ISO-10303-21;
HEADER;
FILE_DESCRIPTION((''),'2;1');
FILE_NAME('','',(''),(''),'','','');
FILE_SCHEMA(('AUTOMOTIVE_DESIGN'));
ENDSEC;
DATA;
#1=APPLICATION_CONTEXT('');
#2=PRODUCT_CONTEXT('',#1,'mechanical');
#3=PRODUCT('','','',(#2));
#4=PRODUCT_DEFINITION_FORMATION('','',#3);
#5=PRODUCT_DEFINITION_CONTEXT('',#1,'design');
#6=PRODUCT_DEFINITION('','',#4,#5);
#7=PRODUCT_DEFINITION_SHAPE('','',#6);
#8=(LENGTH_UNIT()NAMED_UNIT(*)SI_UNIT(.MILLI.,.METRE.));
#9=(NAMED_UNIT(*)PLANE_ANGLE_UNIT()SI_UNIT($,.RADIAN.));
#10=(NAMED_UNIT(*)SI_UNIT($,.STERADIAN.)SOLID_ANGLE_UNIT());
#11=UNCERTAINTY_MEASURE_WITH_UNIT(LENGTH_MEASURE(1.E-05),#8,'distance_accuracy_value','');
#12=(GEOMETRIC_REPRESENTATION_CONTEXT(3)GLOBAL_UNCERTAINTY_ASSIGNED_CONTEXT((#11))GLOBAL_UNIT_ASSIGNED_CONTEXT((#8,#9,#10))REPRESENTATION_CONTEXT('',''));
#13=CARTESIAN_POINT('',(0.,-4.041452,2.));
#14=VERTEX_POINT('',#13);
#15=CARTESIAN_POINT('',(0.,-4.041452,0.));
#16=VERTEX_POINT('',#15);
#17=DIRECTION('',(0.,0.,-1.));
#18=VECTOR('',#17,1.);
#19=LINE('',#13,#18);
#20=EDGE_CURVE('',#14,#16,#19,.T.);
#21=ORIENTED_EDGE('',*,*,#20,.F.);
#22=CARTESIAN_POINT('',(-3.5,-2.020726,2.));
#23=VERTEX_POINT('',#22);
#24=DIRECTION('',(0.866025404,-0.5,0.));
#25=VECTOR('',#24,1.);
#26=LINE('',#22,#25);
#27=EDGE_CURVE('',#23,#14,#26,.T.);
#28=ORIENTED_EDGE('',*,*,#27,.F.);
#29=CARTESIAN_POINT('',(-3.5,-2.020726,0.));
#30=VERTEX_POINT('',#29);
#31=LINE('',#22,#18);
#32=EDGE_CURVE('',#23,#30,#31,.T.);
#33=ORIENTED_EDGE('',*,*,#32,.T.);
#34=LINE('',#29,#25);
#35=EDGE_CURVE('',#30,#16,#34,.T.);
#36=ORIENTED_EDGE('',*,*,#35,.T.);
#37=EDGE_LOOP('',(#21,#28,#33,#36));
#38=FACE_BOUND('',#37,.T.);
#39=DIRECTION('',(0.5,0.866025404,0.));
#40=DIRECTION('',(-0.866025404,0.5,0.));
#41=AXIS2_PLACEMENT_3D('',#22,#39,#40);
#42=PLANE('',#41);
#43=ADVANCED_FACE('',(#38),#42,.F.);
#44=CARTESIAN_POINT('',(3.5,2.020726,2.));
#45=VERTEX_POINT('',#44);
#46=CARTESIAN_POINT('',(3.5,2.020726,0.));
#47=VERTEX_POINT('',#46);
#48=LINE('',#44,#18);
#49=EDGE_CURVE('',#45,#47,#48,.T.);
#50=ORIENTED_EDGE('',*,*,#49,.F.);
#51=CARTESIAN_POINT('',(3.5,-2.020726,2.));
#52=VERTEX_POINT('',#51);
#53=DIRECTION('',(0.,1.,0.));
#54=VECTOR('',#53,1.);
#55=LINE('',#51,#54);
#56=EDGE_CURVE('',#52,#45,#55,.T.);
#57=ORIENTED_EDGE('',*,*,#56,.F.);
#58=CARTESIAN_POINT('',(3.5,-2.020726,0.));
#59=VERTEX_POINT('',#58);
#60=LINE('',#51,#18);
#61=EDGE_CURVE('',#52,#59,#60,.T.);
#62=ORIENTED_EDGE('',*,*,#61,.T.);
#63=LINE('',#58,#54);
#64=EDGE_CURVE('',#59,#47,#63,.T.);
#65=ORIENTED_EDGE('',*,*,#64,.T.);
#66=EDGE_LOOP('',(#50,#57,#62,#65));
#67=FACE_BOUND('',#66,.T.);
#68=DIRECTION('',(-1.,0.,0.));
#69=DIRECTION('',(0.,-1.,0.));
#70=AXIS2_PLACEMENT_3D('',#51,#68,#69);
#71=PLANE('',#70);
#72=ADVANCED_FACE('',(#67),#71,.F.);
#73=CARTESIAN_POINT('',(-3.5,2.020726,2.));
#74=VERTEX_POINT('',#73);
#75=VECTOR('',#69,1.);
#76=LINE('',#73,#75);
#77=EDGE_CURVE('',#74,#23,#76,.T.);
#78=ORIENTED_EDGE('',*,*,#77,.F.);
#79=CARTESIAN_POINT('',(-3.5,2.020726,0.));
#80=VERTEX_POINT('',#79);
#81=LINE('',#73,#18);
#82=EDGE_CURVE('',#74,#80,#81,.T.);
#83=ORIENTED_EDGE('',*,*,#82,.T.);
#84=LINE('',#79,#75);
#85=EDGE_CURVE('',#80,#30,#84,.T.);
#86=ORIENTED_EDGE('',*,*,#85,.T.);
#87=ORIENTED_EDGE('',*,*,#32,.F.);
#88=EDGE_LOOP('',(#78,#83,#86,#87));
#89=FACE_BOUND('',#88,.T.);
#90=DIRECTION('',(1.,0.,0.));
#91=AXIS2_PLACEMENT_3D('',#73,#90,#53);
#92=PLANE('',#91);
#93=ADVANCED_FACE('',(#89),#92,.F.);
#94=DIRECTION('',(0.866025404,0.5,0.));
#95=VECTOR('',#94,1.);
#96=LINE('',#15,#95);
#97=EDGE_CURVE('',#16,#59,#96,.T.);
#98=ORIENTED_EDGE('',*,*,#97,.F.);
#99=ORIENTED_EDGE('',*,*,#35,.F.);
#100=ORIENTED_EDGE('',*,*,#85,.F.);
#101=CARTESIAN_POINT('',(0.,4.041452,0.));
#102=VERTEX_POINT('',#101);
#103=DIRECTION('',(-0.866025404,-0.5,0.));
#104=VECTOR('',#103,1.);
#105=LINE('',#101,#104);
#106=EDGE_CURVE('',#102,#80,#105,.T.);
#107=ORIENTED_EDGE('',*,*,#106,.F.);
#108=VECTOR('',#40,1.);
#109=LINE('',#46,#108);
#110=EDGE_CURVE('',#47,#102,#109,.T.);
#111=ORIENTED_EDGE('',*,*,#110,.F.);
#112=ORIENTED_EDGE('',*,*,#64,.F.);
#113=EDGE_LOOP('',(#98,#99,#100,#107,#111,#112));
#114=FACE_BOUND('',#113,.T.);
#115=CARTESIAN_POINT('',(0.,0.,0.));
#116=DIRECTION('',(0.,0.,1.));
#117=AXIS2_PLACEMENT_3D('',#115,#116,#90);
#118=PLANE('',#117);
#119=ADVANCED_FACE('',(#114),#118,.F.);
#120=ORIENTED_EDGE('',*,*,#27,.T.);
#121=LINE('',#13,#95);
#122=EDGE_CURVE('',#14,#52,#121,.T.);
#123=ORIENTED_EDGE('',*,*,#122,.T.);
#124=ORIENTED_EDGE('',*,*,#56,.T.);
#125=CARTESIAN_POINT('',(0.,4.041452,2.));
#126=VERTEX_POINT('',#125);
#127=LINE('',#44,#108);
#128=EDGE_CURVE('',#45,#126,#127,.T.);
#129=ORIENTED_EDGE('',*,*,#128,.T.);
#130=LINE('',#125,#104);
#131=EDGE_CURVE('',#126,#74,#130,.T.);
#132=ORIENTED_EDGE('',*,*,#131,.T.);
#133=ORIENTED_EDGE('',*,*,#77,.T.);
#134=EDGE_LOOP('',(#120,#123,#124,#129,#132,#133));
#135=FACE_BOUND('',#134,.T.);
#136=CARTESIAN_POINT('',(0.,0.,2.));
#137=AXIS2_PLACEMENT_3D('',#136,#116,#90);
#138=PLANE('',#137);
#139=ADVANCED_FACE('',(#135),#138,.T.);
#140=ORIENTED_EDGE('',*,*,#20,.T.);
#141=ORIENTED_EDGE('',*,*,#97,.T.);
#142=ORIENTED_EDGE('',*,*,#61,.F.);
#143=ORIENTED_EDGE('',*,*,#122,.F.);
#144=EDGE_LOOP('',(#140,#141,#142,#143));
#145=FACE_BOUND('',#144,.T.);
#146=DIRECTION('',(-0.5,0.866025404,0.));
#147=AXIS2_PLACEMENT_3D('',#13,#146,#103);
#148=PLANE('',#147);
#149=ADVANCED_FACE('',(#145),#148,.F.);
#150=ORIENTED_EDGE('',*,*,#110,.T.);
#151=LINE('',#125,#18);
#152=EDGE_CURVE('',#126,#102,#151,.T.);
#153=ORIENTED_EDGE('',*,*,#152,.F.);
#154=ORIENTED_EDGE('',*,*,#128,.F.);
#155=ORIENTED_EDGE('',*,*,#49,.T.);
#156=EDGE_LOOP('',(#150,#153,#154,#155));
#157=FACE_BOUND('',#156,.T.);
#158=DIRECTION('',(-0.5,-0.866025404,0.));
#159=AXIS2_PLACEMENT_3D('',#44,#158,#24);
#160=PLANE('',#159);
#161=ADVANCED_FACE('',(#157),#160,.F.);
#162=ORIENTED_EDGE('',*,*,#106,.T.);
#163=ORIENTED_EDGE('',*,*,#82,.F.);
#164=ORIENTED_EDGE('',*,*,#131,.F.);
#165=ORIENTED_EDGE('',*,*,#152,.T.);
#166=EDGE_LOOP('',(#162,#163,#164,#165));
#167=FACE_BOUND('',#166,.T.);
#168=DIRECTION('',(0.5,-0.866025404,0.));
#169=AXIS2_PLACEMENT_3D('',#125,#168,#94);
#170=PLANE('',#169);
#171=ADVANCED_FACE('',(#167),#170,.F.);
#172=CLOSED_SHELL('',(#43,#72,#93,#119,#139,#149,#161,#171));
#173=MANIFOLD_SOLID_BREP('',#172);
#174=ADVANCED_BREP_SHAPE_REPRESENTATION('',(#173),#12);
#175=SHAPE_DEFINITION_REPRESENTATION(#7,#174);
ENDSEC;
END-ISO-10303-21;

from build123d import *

# Parameters (mm, degrees)
BOSS_EXTRUDE1_DEPTH = 2


with BuildPart() as part:
    # Sketch1 → Boss-Extrude1 (new body)
    with BuildSketch(Plane.XY):
        Polygon((3.5, -2.020725942), (3.5, 2.020725942), (0, 4.041451884), (-3.5, 2.020725942), (-3.5, -2.020725942), (0, -4.041451884), align=None)
    extrude(amount=BOSS_EXTRUDE1_DEPTH)


solid = part.part
